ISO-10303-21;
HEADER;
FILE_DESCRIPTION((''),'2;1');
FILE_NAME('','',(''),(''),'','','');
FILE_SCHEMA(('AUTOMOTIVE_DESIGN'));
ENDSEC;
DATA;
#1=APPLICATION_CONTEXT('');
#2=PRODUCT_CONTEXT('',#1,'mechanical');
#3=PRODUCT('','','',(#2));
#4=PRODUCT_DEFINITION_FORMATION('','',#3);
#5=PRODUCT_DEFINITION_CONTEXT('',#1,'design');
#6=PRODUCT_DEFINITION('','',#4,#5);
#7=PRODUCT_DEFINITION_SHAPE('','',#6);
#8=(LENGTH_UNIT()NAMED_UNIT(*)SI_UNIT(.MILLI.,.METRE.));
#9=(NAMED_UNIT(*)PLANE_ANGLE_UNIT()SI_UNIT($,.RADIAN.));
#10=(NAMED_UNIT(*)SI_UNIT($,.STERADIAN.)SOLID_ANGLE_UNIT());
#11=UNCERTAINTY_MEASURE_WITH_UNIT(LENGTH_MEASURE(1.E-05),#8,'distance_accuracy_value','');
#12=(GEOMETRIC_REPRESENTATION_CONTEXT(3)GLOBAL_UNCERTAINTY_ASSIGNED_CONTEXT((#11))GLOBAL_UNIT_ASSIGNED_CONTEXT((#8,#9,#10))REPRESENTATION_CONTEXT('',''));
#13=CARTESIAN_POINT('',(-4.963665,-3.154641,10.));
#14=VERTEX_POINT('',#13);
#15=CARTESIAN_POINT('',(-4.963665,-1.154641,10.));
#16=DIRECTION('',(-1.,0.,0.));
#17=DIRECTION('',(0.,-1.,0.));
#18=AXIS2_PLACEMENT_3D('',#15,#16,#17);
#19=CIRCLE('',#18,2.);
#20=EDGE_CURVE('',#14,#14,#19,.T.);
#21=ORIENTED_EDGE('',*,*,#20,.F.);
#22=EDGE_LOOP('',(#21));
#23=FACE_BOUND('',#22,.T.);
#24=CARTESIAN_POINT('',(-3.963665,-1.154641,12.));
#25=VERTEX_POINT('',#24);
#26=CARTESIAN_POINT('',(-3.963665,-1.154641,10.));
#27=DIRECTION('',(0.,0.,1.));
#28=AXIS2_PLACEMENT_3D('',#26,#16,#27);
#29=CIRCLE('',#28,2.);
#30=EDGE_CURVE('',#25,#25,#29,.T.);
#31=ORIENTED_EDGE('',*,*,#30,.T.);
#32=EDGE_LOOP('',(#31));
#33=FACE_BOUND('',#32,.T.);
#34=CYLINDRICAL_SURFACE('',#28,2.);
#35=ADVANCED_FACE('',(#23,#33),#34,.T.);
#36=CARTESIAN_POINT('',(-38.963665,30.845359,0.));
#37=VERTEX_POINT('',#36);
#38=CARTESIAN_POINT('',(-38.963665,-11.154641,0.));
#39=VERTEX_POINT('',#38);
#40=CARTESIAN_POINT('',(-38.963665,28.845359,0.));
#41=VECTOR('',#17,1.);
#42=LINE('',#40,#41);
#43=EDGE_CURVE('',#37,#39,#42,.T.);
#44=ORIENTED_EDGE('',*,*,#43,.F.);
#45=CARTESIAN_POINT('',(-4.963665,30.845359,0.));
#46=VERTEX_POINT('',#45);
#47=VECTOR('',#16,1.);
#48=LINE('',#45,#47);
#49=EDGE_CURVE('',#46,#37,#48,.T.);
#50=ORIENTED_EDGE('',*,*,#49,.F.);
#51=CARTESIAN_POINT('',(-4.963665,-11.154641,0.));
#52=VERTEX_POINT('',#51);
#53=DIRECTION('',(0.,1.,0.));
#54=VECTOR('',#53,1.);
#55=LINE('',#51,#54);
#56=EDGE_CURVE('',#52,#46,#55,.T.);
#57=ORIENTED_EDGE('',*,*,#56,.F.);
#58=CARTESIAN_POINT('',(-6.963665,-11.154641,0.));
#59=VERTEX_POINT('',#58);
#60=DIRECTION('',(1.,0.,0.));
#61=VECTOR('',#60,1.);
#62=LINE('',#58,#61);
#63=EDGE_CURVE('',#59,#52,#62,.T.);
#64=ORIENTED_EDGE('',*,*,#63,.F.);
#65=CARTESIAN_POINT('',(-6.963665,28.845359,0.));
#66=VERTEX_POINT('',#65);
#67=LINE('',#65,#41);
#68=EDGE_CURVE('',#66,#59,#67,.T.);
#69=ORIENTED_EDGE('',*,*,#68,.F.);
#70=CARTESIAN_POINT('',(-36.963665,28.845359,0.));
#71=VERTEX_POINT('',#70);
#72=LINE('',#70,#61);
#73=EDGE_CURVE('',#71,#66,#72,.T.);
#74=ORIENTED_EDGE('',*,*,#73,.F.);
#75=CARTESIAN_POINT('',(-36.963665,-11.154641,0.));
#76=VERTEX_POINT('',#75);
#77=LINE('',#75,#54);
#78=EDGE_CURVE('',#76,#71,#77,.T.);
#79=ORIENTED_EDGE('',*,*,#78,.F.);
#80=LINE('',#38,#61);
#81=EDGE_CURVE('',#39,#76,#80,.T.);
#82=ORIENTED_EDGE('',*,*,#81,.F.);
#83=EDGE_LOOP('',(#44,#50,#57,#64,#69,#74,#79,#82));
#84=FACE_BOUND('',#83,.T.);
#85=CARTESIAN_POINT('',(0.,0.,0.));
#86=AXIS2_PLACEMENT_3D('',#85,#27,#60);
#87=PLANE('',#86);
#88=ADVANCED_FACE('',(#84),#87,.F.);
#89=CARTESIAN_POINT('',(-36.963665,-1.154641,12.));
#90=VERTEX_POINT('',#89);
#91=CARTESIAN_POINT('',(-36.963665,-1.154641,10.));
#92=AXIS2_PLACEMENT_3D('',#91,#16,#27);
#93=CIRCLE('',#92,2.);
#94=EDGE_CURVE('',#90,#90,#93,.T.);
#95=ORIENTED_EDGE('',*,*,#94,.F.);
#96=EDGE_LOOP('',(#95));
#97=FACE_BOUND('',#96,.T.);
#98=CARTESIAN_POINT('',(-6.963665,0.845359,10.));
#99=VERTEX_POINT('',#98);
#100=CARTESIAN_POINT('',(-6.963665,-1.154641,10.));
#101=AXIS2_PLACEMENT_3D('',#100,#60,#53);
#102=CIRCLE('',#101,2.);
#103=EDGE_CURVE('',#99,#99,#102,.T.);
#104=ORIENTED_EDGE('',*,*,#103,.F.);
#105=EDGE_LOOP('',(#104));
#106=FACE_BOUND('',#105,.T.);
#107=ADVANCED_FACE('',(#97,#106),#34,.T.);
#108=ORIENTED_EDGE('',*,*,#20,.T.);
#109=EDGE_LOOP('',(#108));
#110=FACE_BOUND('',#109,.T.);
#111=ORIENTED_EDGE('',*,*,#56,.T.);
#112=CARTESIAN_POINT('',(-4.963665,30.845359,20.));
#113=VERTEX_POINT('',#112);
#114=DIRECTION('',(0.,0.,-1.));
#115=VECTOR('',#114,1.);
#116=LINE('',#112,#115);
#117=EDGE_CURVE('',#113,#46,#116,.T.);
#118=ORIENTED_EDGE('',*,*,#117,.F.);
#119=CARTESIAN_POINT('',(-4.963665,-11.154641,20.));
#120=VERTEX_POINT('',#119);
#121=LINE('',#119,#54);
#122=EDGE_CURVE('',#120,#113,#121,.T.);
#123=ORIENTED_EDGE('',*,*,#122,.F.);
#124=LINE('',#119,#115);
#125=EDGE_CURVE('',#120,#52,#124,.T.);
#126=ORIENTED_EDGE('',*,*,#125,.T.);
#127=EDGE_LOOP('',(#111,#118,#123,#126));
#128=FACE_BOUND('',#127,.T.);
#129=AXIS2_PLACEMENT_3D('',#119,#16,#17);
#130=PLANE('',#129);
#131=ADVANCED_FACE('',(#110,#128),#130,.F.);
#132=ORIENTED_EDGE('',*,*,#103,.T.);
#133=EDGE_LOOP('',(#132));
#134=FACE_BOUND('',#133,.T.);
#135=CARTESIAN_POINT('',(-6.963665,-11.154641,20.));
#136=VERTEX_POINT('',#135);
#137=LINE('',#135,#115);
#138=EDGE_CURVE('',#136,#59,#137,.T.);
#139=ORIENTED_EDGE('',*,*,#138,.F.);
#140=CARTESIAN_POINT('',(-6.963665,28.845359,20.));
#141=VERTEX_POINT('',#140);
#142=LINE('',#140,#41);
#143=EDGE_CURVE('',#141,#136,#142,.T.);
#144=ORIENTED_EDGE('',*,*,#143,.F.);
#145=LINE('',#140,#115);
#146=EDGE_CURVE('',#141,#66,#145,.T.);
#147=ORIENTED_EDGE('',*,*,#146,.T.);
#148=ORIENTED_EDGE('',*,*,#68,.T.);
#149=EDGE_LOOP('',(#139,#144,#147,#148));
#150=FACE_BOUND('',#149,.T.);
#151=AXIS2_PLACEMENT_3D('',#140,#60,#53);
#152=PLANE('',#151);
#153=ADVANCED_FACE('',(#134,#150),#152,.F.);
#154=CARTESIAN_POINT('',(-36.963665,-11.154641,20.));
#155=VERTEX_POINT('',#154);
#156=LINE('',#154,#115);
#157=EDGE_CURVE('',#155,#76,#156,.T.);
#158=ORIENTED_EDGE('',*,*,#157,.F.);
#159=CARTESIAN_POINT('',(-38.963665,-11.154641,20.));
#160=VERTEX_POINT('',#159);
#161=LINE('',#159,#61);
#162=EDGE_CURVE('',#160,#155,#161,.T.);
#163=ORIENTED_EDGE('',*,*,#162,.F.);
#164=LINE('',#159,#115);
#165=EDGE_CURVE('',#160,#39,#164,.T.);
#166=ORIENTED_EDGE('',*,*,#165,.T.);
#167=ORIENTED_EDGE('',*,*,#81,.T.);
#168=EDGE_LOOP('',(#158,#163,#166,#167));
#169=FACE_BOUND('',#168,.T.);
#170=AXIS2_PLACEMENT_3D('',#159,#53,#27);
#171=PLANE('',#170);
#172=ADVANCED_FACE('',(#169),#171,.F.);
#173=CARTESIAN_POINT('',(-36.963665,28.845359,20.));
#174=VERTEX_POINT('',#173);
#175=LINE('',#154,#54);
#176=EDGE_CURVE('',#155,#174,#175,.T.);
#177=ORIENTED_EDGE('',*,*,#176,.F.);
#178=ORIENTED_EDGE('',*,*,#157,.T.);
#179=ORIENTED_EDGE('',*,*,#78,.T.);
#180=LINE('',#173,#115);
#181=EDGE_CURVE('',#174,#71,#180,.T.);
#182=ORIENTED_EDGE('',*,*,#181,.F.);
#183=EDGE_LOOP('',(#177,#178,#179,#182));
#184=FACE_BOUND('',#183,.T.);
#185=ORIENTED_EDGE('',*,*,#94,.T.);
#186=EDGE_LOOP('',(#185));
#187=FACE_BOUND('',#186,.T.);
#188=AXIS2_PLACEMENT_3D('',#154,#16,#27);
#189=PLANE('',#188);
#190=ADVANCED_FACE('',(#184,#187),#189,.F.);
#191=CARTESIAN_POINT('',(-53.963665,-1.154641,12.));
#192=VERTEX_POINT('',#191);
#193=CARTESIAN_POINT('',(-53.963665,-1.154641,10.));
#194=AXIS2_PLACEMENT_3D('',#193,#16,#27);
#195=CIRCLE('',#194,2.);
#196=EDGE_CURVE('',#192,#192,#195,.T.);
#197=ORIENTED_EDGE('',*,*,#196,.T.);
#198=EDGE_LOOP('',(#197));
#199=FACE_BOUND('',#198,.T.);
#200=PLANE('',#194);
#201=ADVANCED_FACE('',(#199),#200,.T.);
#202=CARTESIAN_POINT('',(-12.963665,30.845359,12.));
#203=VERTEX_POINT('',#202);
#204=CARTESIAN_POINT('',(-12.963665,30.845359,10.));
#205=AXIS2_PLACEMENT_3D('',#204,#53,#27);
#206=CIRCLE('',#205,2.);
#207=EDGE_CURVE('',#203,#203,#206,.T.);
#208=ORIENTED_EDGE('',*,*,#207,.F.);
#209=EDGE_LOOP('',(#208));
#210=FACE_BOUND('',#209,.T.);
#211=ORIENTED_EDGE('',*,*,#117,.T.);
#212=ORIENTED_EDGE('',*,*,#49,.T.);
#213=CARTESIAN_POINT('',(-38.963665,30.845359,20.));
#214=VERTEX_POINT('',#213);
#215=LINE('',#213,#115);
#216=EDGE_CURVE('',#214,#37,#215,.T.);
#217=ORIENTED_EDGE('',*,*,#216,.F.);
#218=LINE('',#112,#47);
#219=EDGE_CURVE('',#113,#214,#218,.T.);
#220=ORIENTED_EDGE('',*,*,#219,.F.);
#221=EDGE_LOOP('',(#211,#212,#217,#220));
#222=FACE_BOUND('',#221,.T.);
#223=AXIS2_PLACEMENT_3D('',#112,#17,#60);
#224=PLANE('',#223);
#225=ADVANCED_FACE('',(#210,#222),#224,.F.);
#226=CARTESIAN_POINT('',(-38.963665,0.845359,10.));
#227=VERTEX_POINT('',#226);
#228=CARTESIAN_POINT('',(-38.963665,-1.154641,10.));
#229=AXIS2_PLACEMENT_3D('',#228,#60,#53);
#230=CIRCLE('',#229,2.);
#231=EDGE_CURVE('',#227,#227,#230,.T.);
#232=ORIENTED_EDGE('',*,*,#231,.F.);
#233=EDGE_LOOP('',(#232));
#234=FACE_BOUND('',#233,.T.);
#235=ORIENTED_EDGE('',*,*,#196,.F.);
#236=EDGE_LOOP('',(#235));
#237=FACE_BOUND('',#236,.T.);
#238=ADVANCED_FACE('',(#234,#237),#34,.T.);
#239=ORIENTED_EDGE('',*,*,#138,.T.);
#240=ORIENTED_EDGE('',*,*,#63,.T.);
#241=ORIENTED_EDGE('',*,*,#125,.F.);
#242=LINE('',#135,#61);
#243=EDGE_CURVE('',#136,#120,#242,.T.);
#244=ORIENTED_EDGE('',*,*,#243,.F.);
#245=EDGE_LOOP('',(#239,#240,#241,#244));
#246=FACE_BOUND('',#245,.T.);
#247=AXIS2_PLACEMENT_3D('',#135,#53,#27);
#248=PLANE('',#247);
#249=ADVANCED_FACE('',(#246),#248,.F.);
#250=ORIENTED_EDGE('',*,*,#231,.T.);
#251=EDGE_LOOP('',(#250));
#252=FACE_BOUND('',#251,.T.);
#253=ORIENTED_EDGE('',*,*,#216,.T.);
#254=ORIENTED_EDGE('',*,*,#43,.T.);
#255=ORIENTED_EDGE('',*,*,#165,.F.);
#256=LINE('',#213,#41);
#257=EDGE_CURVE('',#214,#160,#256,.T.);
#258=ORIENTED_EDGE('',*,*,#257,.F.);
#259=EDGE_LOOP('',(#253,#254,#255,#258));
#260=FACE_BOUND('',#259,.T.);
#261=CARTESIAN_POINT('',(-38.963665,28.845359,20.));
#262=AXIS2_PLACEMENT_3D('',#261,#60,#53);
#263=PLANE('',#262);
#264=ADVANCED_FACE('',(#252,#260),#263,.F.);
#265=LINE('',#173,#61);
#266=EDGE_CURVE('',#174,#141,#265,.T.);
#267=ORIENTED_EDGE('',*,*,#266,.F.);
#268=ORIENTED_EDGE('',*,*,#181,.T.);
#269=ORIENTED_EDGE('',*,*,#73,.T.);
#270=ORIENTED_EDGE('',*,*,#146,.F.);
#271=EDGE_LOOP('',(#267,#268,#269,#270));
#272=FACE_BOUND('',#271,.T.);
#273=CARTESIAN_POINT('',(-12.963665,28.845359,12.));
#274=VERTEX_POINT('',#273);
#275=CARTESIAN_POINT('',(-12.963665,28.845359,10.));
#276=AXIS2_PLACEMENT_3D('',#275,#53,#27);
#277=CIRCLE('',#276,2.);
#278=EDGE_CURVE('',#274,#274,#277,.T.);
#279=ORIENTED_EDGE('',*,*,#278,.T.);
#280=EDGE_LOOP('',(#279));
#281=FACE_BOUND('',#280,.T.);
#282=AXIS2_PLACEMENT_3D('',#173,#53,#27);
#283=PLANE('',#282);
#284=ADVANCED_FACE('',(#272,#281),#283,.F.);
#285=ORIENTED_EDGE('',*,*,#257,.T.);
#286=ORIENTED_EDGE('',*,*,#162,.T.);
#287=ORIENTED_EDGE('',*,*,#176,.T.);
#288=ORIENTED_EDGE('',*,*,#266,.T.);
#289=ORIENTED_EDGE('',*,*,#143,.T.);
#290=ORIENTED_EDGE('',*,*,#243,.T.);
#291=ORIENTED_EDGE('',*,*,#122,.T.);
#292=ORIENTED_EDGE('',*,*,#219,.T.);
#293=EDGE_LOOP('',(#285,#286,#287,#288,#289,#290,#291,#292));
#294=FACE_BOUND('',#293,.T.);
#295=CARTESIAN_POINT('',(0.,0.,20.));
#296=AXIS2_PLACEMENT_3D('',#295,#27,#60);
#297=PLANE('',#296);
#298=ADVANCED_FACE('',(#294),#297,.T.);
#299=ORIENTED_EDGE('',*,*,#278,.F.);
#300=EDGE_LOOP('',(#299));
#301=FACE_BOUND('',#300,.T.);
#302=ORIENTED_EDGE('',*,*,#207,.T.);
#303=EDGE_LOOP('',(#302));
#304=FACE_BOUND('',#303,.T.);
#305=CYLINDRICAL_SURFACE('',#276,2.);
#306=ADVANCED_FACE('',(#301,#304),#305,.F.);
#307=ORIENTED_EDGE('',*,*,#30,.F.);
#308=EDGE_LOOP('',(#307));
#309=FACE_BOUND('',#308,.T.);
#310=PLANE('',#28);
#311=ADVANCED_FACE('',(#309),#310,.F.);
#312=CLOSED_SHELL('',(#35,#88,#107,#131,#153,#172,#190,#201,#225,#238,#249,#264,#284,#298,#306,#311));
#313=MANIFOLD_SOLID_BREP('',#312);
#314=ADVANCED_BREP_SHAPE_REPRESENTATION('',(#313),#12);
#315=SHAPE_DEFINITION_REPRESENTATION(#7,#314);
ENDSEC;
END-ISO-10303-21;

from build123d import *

# Parameters (mm, degrees)
EXTRUDE_1_DEPTH      = 20
SKETCH_3_R           = 2
EXTRUDE_2_DEPTH      = 15
EXTRUDE_2_DEPTH_BACK = 35
SKETCH_4_R           = 2
CUT_EXTRUDE_1_DEPTH  = 2


with BuildPart() as part:
    # 草图1 → 凸台-拉伸1 (new body)
    with BuildSketch(Plane.XY):
        Polygon((-38.9636651, 28.845358616), (-38.9636651, -11.154641384), (-36.9636651, -11.154641384), (-36.9636651, 28.845358616), (-6.9636651, 28.845358616), (-6.9636651, -11.154641384), (-4.9636651, -11.154641384), (-4.9636651, 30.845358616), (-38.9636651, 30.845358616), align=None)
    extrude(amount=EXTRUDE_1_DEPTH)

    # 草图3 → 凸台-拉伸2 (add, two sides)
    with BuildSketch(Plane.ZY.offset(38.9636651)) as extrude_2_sk:
        with Locations((10, -1.154641384)):
            Circle(SKETCH_3_R)
    extrude(amount=EXTRUDE_2_DEPTH)
    extrude(extrude_2_sk.sketch, amount=-EXTRUDE_2_DEPTH_BACK)

    # 草图4 → 切除-拉伸1 (cut)
    with BuildSketch(Plane(origin=(0, 30.845358616, 0), x_dir=(1, 0, 0), z_dir=(0, 1, 0))):
        with Locations((-12.9636651, -10)):
            Circle(SKETCH_4_R)
    extrude(amount=-CUT_EXTRUDE_1_DEPTH, mode=Mode.SUBTRACT)


solid = part.part
